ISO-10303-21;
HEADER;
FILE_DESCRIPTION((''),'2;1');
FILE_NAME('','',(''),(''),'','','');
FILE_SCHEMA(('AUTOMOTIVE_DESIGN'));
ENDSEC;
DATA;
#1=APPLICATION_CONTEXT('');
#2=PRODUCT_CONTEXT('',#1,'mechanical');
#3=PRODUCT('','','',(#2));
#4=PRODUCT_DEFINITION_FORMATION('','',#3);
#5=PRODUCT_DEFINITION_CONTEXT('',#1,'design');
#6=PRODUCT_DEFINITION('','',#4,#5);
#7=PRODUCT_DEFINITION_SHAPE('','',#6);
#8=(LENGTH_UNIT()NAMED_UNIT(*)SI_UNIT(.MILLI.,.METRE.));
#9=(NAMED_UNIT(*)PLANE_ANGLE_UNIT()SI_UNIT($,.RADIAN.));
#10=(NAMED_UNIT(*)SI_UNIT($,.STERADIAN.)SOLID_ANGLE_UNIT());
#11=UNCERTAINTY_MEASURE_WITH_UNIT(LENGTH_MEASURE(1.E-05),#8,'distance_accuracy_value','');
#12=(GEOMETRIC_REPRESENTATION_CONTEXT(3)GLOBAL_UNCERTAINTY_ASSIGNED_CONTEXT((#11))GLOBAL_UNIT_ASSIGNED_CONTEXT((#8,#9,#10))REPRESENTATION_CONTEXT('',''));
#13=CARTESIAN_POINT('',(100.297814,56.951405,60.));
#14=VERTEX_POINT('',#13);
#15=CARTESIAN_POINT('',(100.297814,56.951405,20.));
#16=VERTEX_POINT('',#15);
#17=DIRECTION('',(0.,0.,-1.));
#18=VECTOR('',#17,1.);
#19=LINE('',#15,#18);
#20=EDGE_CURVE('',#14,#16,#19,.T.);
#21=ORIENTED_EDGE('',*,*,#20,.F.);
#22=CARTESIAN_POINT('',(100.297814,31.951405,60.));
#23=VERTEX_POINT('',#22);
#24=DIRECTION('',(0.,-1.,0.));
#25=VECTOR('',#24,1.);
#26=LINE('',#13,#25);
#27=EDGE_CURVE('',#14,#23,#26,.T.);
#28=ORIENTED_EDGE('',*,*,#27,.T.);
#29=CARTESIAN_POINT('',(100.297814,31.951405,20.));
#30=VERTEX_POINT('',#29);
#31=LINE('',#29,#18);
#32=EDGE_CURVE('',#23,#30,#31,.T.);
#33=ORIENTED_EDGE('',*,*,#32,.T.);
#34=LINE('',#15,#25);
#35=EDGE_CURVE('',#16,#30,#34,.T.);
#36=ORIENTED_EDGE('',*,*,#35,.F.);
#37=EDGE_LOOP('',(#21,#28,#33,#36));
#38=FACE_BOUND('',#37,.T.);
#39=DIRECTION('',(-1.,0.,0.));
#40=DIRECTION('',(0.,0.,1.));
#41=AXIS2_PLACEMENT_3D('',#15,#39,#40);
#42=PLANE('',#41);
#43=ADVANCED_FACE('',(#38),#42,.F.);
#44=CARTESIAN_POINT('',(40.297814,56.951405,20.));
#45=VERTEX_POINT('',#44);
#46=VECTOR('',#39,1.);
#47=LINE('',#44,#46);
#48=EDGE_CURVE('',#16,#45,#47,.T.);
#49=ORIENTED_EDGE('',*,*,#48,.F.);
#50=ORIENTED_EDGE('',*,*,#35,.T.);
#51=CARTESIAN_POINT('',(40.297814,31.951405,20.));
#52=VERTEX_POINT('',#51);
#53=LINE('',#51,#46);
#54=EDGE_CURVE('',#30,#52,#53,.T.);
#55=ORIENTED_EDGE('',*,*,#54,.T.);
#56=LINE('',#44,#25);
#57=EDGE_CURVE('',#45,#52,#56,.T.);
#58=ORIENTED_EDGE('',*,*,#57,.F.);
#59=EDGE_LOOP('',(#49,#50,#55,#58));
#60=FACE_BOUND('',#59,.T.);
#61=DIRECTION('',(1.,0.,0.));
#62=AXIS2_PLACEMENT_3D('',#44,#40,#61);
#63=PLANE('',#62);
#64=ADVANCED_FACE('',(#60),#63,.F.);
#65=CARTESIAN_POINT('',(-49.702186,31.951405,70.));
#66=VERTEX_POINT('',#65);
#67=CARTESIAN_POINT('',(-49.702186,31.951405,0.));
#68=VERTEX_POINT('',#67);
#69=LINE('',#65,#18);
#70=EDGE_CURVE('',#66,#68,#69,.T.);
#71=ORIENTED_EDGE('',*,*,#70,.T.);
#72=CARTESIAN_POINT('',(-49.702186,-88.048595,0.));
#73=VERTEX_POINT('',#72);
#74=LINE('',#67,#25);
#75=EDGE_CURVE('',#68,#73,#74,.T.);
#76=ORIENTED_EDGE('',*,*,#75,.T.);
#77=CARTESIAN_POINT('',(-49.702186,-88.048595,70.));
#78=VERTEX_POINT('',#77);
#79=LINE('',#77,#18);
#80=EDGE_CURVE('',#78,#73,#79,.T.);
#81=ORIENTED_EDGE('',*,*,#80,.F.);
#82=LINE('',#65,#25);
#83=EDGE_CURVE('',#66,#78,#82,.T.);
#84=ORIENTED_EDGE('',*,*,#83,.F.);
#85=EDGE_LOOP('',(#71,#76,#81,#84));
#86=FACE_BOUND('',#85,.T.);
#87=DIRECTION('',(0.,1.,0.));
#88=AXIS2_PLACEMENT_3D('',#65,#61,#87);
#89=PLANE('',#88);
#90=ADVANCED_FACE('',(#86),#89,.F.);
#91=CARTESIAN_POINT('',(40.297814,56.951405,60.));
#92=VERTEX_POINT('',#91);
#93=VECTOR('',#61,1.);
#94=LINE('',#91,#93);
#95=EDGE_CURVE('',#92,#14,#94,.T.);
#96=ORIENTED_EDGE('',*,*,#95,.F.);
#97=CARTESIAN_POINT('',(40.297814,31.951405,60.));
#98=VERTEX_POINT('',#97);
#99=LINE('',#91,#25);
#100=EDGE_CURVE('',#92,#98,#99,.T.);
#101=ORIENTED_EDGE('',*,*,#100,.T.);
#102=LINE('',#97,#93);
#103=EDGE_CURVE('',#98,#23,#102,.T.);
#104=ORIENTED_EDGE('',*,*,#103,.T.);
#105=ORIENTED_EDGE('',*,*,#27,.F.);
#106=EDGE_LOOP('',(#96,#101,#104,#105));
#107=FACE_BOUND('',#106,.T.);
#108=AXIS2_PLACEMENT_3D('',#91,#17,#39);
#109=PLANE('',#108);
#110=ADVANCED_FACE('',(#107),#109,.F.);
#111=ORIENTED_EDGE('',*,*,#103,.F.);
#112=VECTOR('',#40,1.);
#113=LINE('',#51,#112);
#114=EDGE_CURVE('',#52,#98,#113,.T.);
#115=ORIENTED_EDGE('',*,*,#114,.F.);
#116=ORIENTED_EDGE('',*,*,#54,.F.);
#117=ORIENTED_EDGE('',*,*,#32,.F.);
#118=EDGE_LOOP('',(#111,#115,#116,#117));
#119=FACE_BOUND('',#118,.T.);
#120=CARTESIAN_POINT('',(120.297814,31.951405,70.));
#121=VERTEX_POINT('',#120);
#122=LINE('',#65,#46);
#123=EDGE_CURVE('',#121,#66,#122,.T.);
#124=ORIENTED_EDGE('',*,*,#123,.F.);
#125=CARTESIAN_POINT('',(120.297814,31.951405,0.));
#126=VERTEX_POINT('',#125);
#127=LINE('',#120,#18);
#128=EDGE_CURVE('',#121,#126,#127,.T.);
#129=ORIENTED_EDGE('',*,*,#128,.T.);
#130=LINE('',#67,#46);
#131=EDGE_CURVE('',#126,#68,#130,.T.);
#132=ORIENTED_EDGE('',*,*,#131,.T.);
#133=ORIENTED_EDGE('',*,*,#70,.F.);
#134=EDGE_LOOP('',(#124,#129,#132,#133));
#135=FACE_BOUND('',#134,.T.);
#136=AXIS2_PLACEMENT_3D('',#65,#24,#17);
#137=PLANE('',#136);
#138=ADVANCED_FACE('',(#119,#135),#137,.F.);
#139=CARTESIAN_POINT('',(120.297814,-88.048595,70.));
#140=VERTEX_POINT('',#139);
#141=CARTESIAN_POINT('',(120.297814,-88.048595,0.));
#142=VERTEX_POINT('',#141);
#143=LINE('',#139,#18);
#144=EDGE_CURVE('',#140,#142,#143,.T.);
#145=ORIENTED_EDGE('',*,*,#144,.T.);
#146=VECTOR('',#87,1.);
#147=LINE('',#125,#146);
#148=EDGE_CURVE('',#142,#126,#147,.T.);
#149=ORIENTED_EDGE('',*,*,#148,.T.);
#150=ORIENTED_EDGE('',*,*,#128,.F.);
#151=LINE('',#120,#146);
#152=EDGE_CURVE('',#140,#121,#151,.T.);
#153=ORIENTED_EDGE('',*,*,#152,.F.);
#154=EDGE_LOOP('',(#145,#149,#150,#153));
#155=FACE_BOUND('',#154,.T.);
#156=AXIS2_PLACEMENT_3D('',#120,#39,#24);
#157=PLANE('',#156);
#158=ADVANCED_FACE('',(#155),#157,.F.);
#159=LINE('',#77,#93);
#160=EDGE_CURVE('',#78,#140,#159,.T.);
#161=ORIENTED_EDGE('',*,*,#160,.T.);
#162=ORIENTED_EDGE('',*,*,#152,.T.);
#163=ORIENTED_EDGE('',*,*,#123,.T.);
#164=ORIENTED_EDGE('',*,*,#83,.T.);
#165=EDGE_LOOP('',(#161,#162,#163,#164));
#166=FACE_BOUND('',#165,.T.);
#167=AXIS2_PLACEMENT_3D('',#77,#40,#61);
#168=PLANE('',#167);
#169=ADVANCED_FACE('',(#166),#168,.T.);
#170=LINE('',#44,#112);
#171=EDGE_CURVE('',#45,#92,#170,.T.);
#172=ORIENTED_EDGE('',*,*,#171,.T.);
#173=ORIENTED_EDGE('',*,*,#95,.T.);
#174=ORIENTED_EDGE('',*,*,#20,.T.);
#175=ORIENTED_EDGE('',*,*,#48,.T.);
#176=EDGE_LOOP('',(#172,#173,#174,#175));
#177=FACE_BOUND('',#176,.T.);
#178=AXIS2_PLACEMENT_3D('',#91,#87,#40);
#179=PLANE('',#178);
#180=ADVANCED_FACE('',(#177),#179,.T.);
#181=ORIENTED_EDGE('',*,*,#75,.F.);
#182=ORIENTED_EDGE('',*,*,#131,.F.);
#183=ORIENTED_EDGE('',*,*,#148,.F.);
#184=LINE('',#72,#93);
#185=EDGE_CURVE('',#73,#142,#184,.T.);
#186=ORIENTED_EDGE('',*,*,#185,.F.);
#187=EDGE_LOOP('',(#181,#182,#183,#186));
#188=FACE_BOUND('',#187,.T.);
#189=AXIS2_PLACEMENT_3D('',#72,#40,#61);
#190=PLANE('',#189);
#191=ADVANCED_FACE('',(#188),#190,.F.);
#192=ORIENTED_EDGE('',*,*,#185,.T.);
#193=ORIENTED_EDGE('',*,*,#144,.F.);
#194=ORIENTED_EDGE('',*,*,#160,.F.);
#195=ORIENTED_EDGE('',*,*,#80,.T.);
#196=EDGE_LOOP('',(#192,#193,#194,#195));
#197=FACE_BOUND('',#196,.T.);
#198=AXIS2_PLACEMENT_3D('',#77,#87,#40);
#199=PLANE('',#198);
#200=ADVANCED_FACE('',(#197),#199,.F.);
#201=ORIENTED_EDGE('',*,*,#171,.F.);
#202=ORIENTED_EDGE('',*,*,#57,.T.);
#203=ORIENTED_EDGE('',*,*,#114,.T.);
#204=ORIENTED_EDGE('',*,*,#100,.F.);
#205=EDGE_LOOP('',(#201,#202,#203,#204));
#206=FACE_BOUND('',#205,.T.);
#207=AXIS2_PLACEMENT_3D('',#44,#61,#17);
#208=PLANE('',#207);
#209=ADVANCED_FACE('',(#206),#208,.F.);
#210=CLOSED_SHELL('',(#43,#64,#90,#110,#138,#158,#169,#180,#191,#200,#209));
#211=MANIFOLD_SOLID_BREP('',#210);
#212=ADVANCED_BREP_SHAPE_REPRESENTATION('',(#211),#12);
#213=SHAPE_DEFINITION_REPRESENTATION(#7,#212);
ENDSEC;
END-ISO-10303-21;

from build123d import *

# Parameters (mm, degrees)
SKETCH_1_W      = 170
SKETCH_1_H      = 120
EXTRUDE_1_DEPTH = 70
SKETCH_2_W      = 60
SKETCH_2_H      = 40
EXTRUDE_2_DEPTH = 25


with BuildPart() as part:
    # 草图1 → 凸台-拉伸1 (new body)
    with BuildSketch(Plane.XY):
        with Locations((35.297814337, -28.048594931)):
            Rectangle(SKETCH_1_W, SKETCH_1_H)
    extrude(amount=EXTRUDE_1_DEPTH)

    # 草图2 → 凸台-拉伸2 (add)
    with BuildSketch(Plane(origin=(0, 31.951405069, 0), x_dir=(1, 0, 0), z_dir=(0, 1, 0))):
        with Locations((70.297814337, -40)):
            Rectangle(SKETCH_2_W, SKETCH_2_H)
    extrude(amount=EXTRUDE_2_DEPTH)


solid = part.part
